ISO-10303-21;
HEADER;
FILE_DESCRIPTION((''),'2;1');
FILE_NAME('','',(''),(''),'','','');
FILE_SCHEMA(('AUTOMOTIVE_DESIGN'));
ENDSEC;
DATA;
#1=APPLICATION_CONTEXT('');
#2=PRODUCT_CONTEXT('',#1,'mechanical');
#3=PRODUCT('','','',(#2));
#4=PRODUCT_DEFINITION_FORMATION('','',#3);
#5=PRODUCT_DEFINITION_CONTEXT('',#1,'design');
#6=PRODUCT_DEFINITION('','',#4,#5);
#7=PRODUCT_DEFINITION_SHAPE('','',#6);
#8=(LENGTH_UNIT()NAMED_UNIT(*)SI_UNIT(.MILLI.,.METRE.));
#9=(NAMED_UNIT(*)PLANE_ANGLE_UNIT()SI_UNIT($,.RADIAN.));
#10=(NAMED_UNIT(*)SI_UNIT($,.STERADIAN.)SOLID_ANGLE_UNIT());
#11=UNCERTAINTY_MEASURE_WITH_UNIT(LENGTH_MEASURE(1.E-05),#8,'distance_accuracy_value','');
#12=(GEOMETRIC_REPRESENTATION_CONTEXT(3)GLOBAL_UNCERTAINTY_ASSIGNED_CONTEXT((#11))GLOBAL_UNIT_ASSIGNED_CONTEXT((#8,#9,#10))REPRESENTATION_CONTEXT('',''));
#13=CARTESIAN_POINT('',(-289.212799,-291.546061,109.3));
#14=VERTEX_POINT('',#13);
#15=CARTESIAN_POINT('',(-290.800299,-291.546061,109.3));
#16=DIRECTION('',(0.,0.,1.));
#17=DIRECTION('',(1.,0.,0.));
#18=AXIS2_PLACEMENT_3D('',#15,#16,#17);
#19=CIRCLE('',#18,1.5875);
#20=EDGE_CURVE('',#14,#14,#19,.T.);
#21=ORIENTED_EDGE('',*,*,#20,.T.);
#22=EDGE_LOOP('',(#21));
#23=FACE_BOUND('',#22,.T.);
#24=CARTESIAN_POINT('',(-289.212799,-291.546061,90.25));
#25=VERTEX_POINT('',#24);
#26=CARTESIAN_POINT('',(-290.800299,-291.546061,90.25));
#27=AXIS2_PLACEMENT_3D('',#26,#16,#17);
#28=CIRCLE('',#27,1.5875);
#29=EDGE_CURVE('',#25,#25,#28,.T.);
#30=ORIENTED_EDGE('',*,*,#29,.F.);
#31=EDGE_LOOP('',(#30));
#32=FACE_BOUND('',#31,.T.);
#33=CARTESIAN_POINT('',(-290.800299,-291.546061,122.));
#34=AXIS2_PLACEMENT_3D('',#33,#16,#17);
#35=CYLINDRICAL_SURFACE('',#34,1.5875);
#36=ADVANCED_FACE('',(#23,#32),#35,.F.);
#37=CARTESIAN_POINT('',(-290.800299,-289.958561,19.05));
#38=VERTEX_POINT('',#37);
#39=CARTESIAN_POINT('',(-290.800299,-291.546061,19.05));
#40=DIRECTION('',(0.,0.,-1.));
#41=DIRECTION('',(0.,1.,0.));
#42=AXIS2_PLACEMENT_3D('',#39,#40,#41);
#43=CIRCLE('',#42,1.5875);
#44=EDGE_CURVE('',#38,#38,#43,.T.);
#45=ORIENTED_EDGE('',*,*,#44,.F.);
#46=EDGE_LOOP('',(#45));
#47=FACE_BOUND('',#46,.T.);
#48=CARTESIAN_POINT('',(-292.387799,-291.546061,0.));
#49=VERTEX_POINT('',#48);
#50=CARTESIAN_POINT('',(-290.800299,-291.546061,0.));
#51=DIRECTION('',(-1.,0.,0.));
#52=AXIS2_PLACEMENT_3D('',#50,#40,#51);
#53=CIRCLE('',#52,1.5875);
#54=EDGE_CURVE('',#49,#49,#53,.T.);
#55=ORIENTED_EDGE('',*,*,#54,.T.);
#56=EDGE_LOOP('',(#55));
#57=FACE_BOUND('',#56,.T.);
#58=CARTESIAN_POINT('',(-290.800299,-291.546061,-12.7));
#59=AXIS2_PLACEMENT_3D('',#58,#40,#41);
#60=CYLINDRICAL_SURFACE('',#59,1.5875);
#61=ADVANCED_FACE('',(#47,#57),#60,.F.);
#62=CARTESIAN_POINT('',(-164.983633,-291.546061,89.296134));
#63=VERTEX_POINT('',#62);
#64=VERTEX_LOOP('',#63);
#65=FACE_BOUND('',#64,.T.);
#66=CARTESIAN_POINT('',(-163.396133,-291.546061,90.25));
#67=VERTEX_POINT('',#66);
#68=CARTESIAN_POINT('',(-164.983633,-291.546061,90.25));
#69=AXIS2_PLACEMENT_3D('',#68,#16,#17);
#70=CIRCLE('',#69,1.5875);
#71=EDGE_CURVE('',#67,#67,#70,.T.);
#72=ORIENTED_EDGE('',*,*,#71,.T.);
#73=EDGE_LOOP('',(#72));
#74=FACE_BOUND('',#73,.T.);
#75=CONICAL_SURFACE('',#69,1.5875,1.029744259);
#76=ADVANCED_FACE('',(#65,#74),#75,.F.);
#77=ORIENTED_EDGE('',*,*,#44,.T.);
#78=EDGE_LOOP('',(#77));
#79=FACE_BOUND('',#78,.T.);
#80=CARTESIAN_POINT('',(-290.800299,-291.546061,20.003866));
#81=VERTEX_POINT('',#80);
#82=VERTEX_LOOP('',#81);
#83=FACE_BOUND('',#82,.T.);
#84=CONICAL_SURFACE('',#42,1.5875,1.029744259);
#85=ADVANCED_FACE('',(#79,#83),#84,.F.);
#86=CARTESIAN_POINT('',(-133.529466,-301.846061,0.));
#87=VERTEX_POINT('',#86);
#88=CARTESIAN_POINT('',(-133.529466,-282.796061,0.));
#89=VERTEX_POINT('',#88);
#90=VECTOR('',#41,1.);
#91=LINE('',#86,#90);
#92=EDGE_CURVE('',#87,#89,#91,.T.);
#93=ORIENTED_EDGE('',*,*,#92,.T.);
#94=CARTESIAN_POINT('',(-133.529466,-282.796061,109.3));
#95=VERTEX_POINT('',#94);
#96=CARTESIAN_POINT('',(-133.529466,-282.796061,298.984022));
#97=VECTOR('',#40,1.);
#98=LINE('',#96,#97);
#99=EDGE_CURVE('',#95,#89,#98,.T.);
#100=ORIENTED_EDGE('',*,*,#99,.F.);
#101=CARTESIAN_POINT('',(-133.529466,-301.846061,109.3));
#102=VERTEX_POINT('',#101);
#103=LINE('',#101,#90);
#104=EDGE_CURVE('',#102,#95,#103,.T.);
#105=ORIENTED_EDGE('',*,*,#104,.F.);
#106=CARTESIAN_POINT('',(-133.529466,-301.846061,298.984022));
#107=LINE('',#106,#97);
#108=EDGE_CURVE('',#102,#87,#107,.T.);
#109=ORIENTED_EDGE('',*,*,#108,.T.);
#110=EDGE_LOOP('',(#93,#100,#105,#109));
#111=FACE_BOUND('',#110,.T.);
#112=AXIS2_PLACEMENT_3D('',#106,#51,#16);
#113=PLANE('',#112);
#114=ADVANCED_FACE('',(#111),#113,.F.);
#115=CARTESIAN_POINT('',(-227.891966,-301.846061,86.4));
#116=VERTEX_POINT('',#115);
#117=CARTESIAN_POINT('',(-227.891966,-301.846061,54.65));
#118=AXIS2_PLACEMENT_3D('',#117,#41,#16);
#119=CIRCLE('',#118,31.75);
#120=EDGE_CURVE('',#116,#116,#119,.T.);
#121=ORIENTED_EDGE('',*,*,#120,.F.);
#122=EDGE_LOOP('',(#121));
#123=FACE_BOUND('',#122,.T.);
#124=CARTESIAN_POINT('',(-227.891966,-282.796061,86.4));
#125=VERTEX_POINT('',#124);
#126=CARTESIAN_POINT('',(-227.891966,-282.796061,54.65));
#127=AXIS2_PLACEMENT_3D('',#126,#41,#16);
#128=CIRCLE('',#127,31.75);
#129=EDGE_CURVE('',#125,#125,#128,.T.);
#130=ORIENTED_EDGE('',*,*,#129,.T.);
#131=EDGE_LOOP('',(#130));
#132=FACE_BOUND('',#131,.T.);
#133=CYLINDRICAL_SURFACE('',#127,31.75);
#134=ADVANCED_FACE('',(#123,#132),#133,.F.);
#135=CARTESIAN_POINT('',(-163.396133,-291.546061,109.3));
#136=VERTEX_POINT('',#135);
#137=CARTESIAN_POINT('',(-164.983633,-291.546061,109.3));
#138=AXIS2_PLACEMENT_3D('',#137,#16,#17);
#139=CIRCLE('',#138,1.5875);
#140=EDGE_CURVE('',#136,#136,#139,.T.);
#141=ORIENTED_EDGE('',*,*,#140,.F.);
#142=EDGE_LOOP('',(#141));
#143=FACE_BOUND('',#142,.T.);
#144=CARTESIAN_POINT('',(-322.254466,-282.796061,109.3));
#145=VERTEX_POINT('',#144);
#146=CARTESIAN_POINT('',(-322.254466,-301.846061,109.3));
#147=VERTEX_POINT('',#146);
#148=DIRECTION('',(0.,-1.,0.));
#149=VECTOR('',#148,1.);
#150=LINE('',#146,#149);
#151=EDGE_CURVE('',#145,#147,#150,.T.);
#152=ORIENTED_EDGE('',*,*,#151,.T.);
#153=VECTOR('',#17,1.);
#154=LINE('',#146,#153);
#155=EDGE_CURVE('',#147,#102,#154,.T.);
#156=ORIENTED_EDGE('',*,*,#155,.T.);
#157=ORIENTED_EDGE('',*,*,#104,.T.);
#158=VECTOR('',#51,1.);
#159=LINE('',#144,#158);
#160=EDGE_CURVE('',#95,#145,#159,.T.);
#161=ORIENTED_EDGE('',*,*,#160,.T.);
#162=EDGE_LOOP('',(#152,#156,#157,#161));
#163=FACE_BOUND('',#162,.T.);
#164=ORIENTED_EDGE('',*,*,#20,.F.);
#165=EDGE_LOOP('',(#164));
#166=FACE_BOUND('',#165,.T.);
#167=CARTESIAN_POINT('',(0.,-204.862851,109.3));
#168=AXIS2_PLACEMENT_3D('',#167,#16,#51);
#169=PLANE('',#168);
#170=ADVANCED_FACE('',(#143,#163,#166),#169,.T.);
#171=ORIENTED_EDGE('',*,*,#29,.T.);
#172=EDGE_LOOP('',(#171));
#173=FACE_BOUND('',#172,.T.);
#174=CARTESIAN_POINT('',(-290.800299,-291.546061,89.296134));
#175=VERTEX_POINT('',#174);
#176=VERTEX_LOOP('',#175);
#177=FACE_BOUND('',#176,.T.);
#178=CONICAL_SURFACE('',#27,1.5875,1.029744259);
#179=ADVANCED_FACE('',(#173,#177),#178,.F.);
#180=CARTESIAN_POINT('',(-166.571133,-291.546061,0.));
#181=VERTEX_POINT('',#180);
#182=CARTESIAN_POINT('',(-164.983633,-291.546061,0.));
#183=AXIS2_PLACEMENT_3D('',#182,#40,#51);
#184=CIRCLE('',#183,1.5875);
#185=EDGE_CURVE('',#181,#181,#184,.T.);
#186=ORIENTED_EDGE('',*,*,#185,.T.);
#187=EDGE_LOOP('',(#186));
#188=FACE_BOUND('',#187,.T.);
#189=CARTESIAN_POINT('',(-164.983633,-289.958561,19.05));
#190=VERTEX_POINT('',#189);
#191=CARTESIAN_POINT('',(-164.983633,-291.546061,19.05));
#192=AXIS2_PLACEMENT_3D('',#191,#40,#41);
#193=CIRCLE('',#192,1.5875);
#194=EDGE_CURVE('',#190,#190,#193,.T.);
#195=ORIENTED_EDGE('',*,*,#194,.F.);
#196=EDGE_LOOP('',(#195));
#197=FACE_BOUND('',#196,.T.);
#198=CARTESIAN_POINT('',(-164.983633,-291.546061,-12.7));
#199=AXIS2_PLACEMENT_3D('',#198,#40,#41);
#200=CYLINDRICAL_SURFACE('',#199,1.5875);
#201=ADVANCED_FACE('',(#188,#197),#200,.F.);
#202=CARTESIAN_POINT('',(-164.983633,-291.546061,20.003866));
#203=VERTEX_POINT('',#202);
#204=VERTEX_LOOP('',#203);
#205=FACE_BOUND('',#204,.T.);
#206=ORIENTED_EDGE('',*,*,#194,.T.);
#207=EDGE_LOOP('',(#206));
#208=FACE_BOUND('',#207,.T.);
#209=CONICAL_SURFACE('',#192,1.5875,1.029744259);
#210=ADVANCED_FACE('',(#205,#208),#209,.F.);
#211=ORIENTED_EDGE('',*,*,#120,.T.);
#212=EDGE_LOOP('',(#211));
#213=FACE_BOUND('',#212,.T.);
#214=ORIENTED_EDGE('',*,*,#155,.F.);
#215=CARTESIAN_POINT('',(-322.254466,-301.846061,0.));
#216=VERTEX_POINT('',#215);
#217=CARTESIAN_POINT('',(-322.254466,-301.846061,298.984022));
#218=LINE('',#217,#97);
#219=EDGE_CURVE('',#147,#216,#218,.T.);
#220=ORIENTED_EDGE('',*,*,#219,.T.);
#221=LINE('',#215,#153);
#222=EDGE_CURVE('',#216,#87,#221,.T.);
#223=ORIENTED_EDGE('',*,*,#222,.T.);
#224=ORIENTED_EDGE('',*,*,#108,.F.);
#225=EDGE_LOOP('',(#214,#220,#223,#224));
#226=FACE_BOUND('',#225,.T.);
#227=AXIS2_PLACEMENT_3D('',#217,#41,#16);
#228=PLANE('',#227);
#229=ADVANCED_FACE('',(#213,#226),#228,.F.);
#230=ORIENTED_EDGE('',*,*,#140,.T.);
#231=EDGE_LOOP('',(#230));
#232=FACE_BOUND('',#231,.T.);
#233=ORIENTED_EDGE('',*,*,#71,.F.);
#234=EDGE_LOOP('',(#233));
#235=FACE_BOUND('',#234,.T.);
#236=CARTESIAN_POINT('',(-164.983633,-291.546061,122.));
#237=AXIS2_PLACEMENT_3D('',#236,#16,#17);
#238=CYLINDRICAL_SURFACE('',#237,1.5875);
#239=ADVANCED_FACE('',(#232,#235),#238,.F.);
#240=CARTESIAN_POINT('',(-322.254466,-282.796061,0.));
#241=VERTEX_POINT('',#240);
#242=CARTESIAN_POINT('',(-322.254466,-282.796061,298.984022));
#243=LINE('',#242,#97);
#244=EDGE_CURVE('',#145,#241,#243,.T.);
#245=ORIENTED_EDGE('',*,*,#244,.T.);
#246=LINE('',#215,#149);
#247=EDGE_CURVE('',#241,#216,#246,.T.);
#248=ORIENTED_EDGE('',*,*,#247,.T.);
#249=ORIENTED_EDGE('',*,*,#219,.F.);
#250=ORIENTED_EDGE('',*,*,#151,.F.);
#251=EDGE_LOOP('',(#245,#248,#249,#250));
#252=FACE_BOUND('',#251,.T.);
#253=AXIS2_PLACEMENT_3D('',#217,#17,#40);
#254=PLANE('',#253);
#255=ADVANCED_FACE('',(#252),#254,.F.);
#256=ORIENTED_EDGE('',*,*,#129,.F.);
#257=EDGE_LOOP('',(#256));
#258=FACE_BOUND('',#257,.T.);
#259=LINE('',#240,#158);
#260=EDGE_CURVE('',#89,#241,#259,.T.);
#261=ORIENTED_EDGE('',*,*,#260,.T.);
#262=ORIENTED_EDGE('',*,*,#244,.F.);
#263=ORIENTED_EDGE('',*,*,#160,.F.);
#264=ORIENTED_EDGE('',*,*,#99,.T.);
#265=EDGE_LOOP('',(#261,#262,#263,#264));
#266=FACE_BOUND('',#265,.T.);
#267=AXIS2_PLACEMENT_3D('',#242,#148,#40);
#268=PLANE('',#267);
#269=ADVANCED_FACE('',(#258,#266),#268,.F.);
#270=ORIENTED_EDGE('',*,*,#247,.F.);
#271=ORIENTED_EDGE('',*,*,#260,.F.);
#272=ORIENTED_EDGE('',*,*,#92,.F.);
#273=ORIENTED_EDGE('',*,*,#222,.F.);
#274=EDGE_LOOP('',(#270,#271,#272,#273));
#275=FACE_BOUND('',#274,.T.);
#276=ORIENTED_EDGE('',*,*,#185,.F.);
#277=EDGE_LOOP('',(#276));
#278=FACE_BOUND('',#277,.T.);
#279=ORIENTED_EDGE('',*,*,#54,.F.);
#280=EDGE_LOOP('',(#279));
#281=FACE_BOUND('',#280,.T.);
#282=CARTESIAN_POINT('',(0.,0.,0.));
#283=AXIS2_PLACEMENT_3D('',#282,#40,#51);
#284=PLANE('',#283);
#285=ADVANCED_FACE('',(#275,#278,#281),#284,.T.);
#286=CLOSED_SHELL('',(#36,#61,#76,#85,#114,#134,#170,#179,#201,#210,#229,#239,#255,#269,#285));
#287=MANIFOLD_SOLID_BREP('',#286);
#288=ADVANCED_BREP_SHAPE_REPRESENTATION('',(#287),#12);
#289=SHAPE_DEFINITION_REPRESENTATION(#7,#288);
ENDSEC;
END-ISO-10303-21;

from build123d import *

# Parameters (mm, degrees)
SKETCH1_W           = 188.724999994
SKETCH1_H           = 19.05
BOSS_EXTRUDE1_DEPTH = 109.3
HOLE1_D             = 3.175
HOLE1_DEPTH         = 31.75
HOLE1_CSINK_D       = 10.16
HOLE1_CSINK_ANGLE   = 82
HOLE1_TIP           = 0.953866233
HOLE2_D             = 3.175
HOLE2_DEPTH         = 31.75
HOLE2_CSINK_D       = 10.16
HOLE2_CSINK_ANGLE   = 82
HOLE2_TIP           = 0.953866233
HOLE3_D             = 3.175
HOLE3_DEPTH         = 31.75
HOLE3_CSINK_D       = 10.16
HOLE3_CSINK_ANGLE   = 82
HOLE3_TIP           = 0.953866233
HOLE4_D             = 63.5
HOLE4_DEPTH         = 19.05


with BuildPart() as part:
    # Sketch1 → Boss-Extrude1 (new body)
    with BuildSketch(Plane.XY):
        with Locations((-227.891965966, -292.321060846)):
            Rectangle(SKETCH1_W, SKETCH1_H)
    extrude(amount=BOSS_EXTRUDE1_DEPTH)

    # Hole1
    with Locations(Plane(origin=(-124.004465969, 10.424290059, -12.7), x_dir=(1, 0, 0), z_dir=(0, 0, -1))):
        with Locations((113.649999994, 128.807623392), (113.649999994, 23.940956725), (-94.599999994, 161.374290059), (94.599999994, 161.374290059), (0, 161.374290059), (0, 193.124290059), (0, 440.553783621), (0, 301.970350905), (40.979166666, 301.970350905), (166.795833328, 301.970350905), (207.774999994, 440.553783621), (207.774999994, 333.02141023), (207.774999994, 225.48903684), (207.774999994, 137.424290059), (207.774999994, 10.424290059), (-207.774999994, 10.424290059), (-207.774999994, 137.424290059), (-207.774999994, 225.48903684), (-207.774999994, 333.02141023), (-207.774999994, 440.553783621), (-166.795833328, 301.970350905), (-40.979166666, 301.970350905), (-113.649999994, 23.940956725), (-113.649999994, 128.807623392)):
            CounterSinkHole(HOLE1_D / 2, HOLE1_CSINK_D / 2, depth=HOLE1_DEPTH, counter_sink_angle=HOLE1_CSINK_ANGLE)
            with Locations((0, 0, -(HOLE1_DEPTH + HOLE1_TIP / 2))):  # 118° drill point
                Cone(0, HOLE1_D / 2, HOLE1_TIP, mode=Mode.SUBTRACT)

    # Hole2
    with Locations(Plane(origin=(-124.004465969, 10.424290059, 122), x_dir=(-1, 0, 0), z_dir=(0, 0, 1))):
        with Locations((113.649999994, 128.807623392), (113.649999994, 23.940956725), (-94.599999994, 161.374290059), (94.599999994, 161.374290059), (0, 161.374290059), (0, 193.124290059), (0, 440.553783621), (0, 301.970350905), (40.979166666, 301.970350905), (166.795833328, 301.970350905), (207.774999994, 440.553783621), (207.774999994, 333.02141023), (207.774999994, 225.48903684), (207.774999994, 137.424290059), (207.774999994, 10.424290059), (-207.774999994, 10.424290059), (-207.774999994, 137.424290059), (-207.774999994, 225.48903684), (-207.774999994, 333.02141023), (-207.774999994, 440.553783621), (-166.795833328, 301.970350905), (-40.979166666, 301.970350905), (-113.649999994, 23.940956725), (-113.649999994, 128.807623392)):
            CounterSinkHole(HOLE2_D / 2, HOLE2_CSINK_D / 2, depth=HOLE2_DEPTH, counter_sink_angle=HOLE2_CSINK_ANGLE)
            with Locations((0, 0, -(HOLE2_DEPTH + HOLE2_TIP / 2))):  # 118° drill point
                Cone(0, HOLE2_D / 2, HOLE2_TIP, mode=Mode.SUBTRACT)

    # Hole3
    with Locations(Plane(origin=(-124.004465969, 10.424290059, 122), x_dir=(-1, 0, 0), z_dir=(0, 0, 1))):
        with Locations((-207.774999994, 333.02141023), (-207.774999994, 225.48903684), (-207.774999994, 137.424290059), (-172.166666661, 4.074290059), (-146.083333327, 4.074290059), (-94.599999994, 161.374290059), (0, 161.374290059), (94.599999994, 161.374290059), (146.083333327, 4.074290059), (172.166666661, 4.074290059), (207.774999994, 137.424290059), (207.774999994, 225.48903684), (207.774999994, 333.02141023), (166.795833328, 301.970350905), (40.979166666, 301.970350905), (-40.979166666, 301.970350905), (-166.795833328, 301.970350905), (0, 193.124290059), (0, 301.970350905), (0, 412.366411751), (-126.349999994, 106.824290059), (-126.349999994, 58.624290059), (126.349999994, 58.624290059), (126.349999994, 106.824290059)):
            CounterSinkHole(HOLE3_D / 2, HOLE3_CSINK_D / 2, depth=HOLE3_DEPTH, counter_sink_angle=HOLE3_CSINK_ANGLE)
            with Locations((0, 0, -(HOLE3_DEPTH + HOLE3_TIP / 2))):  # 118° drill point
                Cone(0, HOLE3_D / 2, HOLE3_TIP, mode=Mode.SUBTRACT)

    # Hole4
    with Locations(Plane(origin=(0, -282.796060846, 0), x_dir=(1, 0, 0), z_dir=(0, 1, 0))):
        with Locations((-227.891965966, -54.65)):
            Hole(HOLE4_D / 2, depth=HOLE4_DEPTH)


solid = part.part
